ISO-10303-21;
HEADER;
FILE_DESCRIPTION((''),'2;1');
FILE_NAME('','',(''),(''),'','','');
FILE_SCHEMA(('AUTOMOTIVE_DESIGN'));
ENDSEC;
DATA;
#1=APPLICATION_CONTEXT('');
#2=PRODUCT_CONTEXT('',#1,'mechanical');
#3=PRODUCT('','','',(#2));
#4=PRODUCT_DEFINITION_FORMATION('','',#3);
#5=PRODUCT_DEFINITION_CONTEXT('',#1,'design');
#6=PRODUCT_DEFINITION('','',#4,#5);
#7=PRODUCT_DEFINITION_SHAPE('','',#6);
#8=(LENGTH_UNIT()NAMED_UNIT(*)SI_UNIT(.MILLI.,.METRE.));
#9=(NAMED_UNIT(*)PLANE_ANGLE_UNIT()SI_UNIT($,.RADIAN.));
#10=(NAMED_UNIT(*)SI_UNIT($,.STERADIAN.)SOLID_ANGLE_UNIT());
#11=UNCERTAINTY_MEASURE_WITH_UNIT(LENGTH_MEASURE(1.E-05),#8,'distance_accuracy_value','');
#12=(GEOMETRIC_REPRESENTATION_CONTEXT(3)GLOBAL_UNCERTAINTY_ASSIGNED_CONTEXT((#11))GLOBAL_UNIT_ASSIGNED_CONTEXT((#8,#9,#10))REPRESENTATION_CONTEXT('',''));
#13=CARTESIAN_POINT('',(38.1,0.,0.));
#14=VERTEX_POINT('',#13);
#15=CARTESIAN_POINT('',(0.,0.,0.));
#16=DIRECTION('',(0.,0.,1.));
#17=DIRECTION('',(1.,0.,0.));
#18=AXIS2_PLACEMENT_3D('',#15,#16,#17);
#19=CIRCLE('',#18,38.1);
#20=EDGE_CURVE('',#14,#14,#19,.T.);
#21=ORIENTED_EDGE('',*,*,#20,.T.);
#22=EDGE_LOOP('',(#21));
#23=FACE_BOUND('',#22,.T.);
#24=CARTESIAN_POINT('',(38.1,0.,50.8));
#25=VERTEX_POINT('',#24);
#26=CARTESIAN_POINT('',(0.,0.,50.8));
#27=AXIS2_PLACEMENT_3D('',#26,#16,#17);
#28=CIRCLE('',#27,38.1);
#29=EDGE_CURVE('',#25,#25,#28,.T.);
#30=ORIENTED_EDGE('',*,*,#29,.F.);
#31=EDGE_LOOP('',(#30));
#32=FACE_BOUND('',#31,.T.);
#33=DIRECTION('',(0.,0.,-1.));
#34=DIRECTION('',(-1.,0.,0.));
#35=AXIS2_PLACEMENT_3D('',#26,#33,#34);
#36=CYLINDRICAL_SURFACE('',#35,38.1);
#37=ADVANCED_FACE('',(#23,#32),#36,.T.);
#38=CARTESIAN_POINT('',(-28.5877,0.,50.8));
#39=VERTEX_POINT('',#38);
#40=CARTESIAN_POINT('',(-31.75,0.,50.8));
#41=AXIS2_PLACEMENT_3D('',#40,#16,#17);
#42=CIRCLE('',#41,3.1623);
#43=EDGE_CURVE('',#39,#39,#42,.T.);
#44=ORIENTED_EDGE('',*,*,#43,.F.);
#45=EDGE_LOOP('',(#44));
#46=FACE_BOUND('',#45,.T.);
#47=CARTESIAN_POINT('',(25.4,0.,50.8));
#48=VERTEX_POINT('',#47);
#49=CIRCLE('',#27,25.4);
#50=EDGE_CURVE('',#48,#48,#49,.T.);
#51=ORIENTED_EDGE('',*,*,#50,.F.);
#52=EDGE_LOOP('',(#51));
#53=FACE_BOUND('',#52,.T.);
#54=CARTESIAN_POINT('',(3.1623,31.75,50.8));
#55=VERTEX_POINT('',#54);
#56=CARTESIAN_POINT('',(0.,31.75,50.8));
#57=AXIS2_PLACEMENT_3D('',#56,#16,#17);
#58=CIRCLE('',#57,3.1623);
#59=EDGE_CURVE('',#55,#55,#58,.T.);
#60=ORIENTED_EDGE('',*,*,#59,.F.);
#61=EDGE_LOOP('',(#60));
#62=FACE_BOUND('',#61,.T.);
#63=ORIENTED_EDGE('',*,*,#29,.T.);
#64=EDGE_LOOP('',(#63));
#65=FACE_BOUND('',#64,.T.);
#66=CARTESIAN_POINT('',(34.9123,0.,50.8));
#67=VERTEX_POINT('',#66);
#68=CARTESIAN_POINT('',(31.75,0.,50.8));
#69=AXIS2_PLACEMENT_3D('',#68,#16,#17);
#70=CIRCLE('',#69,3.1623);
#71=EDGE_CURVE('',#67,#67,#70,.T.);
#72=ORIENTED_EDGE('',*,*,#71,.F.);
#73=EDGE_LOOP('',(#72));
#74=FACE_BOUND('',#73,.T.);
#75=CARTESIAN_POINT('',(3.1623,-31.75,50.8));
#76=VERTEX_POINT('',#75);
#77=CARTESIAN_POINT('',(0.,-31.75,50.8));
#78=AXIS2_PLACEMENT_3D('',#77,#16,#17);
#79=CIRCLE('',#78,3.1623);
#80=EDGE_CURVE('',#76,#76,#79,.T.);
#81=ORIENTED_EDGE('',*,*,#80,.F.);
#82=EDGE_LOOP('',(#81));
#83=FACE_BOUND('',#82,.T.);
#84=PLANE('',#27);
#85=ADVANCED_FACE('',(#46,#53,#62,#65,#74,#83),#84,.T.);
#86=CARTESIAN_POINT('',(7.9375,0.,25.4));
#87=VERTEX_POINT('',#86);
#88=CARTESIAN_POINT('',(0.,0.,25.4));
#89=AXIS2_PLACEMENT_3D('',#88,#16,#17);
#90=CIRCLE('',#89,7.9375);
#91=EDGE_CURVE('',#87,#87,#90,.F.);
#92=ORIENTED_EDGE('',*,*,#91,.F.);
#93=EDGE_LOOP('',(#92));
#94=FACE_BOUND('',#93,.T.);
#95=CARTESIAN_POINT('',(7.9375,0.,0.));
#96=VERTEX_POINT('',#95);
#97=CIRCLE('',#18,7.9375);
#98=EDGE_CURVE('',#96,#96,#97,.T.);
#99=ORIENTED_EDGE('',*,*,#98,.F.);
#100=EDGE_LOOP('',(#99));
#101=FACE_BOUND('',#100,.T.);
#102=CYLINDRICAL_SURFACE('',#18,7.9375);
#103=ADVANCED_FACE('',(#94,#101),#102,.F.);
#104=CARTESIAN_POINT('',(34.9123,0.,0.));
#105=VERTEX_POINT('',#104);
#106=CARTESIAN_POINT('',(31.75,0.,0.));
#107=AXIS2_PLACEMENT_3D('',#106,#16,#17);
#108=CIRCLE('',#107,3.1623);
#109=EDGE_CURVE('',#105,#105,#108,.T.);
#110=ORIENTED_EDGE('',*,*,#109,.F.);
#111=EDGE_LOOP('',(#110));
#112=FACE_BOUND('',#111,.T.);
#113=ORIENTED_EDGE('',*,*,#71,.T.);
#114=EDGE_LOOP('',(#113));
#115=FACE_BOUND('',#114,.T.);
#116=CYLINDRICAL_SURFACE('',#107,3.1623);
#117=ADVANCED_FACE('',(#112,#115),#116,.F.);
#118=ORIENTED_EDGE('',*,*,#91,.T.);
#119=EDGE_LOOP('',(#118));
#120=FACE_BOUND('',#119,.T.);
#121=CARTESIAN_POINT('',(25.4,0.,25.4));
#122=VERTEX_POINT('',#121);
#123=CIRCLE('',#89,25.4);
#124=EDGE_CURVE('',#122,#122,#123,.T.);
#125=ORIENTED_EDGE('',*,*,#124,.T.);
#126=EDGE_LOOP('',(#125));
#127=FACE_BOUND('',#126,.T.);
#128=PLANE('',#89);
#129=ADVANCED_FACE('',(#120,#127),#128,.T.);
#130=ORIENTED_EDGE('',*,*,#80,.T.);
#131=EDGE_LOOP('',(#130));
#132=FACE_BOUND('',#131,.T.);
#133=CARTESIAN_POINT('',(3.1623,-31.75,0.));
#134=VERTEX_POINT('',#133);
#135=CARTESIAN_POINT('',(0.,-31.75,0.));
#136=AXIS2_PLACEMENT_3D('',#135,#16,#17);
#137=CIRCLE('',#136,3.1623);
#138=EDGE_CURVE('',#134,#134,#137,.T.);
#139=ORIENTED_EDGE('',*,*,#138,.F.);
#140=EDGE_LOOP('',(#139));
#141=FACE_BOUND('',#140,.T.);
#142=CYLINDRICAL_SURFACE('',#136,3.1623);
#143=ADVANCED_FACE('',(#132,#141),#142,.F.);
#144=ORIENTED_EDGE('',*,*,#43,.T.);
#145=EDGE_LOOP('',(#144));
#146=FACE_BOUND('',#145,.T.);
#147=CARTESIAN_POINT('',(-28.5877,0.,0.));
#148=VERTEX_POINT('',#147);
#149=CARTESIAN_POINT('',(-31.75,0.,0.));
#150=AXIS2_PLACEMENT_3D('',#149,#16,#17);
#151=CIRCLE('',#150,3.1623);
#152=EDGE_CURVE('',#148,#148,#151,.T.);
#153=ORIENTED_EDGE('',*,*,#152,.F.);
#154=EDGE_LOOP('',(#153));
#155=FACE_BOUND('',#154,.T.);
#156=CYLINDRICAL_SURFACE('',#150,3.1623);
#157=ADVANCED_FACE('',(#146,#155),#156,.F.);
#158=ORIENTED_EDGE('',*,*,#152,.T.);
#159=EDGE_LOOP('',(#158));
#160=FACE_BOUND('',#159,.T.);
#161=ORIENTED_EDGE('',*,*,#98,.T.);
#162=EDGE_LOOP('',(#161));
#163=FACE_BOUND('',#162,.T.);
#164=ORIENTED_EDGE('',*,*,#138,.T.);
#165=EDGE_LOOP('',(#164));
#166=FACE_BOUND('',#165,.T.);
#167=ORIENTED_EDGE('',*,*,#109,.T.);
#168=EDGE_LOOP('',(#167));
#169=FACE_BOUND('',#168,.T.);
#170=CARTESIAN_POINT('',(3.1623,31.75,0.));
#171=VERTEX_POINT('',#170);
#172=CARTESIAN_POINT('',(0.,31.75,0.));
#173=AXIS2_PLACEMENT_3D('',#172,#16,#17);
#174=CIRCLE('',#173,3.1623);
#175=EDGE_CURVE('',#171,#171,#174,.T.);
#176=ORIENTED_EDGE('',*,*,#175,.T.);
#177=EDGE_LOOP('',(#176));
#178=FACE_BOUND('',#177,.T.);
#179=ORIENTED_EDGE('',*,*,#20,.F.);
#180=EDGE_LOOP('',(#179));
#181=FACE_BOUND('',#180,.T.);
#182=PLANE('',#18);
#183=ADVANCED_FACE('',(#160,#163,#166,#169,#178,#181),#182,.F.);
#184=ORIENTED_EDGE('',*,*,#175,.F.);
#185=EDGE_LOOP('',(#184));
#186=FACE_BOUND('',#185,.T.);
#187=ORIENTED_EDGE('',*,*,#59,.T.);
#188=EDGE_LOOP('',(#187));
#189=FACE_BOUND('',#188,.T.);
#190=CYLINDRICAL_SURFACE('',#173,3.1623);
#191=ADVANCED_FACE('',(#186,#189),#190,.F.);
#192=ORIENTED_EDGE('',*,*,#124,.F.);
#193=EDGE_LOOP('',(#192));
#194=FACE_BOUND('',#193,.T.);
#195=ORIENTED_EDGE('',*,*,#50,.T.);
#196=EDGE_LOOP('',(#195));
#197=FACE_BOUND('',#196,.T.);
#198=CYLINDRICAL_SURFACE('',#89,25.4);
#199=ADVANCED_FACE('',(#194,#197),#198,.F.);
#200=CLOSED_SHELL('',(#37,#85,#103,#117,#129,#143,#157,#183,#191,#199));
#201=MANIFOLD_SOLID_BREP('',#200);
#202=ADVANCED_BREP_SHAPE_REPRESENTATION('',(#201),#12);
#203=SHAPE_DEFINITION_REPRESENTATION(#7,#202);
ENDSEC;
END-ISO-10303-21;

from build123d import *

# Parameters (mm, degrees)
SKETCH1_R           = 38.1
BOSS_EXTRUDE1_DEPTH = 50.8
SKETCH2_R           = 7.9375
SKETCH2_R_2         = 3.1623
CUT_EXTRUDE1_DEPTH  = 50.8
SKETCH3_R           = 25.4
CUT_EXTRUDE2_DEPTH  = 25.4


with BuildPart() as part:
    # Sketch1 → Boss-Extrude1 (new body)
    with BuildSketch(Plane.XY):
        Circle(SKETCH1_R)
    extrude(amount=BOSS_EXTRUDE1_DEPTH)

    # Sketch2 → Cut-Extrude1 (cut)
    with BuildSketch(Plane.XY.offset(50.8)):
        Circle(SKETCH2_R)
        with Locations((0, 31.75)):
            Circle(SKETCH2_R_2)
        with Locations((0, -31.75)):
            Circle(SKETCH2_R_2)
        with Locations((31.75, 0)):
            Circle(SKETCH2_R_2)
        with Locations((-31.75, 0)):
            Circle(SKETCH2_R_2)
    extrude(amount=-CUT_EXTRUDE1_DEPTH, mode=Mode.SUBTRACT)

    # Sketch3 → Cut-Extrude2 (cut)
    with BuildSketch(Plane.XY.offset(50.8)):
        Circle(SKETCH3_R)
    extrude(amount=-CUT_EXTRUDE2_DEPTH, mode=Mode.SUBTRACT)


solid = part.part
